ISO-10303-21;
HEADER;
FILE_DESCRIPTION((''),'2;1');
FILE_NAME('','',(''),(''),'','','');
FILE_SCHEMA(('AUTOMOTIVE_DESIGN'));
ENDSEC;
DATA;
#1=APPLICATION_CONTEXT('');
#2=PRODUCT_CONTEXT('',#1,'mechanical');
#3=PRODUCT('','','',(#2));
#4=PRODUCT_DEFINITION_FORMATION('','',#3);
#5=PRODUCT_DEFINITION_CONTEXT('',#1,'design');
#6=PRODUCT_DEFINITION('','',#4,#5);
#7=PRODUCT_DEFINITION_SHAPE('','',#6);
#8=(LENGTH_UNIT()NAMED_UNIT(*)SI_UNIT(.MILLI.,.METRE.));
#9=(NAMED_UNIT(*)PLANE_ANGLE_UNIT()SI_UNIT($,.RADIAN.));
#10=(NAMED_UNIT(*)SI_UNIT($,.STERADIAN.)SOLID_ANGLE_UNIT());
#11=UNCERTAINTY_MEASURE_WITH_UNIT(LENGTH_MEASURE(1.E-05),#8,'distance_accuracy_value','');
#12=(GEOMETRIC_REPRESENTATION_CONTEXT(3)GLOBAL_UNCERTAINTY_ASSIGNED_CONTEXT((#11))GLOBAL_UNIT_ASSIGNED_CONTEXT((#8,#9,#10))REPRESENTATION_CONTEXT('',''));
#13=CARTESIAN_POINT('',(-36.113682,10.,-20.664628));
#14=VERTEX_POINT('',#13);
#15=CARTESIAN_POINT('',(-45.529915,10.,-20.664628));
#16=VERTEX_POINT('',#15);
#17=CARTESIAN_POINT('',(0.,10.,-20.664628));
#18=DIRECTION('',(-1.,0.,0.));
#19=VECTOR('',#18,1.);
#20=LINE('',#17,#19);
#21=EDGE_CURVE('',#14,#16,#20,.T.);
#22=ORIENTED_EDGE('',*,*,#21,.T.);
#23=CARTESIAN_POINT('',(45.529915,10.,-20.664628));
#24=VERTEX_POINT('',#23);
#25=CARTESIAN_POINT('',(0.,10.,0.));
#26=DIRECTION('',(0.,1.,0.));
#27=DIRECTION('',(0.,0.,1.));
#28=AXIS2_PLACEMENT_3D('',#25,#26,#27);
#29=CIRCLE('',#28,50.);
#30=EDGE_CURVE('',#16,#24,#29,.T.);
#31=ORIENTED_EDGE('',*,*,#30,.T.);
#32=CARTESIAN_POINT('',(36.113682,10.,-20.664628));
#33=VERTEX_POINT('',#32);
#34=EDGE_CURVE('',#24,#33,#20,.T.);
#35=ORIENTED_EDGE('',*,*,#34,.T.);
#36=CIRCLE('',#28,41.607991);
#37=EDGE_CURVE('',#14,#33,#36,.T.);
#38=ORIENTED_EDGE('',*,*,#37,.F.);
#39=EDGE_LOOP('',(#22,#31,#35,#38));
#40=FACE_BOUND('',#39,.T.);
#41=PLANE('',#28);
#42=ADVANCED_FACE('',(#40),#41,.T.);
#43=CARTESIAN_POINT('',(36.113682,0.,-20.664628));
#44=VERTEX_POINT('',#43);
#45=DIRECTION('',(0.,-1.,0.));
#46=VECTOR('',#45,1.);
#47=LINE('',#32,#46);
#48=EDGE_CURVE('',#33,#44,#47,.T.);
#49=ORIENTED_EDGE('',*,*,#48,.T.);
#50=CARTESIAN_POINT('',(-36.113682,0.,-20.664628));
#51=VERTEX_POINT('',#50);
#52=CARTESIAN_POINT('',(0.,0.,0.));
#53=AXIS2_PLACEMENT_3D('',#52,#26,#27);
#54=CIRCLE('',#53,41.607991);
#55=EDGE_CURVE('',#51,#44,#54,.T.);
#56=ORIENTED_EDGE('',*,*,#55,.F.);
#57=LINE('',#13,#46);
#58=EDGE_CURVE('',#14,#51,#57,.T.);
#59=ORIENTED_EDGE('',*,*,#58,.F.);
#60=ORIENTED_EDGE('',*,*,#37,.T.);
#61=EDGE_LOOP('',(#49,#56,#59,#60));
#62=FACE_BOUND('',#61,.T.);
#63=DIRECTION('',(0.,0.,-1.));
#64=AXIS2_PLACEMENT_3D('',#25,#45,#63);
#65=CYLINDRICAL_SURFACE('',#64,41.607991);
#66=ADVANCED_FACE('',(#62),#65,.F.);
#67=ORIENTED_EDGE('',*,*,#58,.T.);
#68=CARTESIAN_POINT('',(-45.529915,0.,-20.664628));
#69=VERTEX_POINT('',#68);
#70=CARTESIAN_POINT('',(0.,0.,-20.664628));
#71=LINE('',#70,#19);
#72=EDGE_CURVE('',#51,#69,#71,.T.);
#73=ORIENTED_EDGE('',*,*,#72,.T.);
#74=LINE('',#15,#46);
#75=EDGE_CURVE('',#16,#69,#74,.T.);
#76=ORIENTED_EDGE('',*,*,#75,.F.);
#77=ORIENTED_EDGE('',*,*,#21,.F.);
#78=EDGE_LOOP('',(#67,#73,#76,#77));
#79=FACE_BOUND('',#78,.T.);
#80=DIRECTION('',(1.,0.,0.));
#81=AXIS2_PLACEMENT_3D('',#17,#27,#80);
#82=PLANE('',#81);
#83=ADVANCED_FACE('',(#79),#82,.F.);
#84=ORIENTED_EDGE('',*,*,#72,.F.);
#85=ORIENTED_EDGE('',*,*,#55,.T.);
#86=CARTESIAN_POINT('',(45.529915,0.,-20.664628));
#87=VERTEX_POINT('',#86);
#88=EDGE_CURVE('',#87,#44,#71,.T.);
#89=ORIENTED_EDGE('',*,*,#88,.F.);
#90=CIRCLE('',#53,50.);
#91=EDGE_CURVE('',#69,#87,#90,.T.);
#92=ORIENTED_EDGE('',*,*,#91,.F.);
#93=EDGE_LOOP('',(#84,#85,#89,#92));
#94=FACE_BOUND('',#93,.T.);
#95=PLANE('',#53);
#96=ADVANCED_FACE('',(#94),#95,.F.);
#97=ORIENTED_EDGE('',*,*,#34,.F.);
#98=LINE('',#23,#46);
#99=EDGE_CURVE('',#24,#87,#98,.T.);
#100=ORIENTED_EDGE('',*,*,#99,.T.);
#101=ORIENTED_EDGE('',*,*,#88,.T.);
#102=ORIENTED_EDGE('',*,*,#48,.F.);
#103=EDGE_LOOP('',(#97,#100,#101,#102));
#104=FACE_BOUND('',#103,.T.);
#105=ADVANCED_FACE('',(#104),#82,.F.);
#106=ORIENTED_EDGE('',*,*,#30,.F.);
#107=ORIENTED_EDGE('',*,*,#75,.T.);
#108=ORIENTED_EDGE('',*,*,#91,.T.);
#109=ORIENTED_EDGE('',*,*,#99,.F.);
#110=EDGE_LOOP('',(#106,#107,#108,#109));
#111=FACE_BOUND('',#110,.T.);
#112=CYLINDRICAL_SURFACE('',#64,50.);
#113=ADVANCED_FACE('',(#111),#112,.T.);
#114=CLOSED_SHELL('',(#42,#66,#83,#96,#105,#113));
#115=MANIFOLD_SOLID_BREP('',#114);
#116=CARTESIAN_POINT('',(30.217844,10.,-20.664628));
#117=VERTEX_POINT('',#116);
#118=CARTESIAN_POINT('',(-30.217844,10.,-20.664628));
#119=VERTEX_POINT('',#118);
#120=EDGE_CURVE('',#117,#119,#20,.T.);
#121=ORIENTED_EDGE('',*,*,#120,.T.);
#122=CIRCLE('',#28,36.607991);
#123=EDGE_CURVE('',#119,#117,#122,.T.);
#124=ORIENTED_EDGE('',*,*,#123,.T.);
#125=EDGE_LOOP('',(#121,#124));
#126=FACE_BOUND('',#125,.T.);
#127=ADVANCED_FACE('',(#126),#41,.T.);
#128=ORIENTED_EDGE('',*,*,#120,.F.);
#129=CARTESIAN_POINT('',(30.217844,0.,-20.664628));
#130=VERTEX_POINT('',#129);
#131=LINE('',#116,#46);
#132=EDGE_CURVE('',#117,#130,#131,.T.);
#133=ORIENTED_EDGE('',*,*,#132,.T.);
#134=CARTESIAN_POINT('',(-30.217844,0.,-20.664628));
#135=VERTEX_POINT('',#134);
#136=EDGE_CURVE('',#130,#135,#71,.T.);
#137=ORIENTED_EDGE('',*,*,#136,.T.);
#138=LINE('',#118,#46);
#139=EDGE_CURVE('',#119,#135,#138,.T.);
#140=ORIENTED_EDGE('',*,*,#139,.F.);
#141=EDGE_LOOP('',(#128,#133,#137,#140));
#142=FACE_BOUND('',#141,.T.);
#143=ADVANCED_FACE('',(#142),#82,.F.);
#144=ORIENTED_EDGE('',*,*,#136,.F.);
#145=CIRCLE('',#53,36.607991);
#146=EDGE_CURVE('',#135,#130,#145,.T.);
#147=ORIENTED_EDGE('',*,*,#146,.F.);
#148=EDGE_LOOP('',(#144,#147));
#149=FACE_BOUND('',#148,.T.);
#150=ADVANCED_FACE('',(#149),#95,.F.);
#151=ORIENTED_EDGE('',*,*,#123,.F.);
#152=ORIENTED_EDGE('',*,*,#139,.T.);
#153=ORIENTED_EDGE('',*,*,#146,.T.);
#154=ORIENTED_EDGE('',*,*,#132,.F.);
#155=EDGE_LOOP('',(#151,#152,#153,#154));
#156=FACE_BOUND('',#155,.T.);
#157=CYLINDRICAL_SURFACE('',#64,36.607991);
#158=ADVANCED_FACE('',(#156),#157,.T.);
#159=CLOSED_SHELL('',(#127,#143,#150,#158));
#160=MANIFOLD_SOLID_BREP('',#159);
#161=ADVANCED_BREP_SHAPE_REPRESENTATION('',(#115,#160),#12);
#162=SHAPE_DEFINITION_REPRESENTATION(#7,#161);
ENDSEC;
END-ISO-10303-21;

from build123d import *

# Parameters (mm, degrees)
AUFSATZ_LINEAR_AUSTRAGEN1_DEPTH   = 10
AUFSATZ_LINEAR_AUSTRAGEN1_2_DEPTH = 10


with BuildPart() as part:
    # Skizze1 → Aufsatz-Linear austragen1 (new body)
    with BuildSketch(Plane(origin=(0, 0, 0), x_dir=(1, 0, 0), z_dir=(0, 1, 0))):
        with BuildLine():
            ThreePointArc((-30.217844449, 20.664627908), (0, -36.607990518), (30.217844449, 20.664627908))
            Line((30.217844449, 20.664627908), (-30.217844449, 20.664627908))
        make_face()
    extrude(amount=AUFSATZ_LINEAR_AUSTRAGEN1_DEPTH)


with BuildPart() as body_2:
    # Skizze1 → Aufsatz-Linear austragen1 2 (new body)
    with BuildSketch(Plane(origin=(0, 0, 0), x_dir=(1, 0, 0), z_dir=(0, 1, 0))):
        with BuildLine():
            ThreePointArc((-45.529914929, 20.664627908), (0, -50), (45.529914929, 20.664627908))
            Line((45.529914929, 20.664627908), (36.11368201, 20.664627908))
            ThreePointArc((36.11368201, 20.664627908), (0, -41.607990518), (-36.11368201, 20.664627908))
            Line((-36.11368201, 20.664627908), (-45.529914929, 20.664627908))
        make_face()
    extrude(amount=AUFSATZ_LINEAR_AUSTRAGEN1_2_DEPTH)


solid = Compound([part.part, body_2.part])
